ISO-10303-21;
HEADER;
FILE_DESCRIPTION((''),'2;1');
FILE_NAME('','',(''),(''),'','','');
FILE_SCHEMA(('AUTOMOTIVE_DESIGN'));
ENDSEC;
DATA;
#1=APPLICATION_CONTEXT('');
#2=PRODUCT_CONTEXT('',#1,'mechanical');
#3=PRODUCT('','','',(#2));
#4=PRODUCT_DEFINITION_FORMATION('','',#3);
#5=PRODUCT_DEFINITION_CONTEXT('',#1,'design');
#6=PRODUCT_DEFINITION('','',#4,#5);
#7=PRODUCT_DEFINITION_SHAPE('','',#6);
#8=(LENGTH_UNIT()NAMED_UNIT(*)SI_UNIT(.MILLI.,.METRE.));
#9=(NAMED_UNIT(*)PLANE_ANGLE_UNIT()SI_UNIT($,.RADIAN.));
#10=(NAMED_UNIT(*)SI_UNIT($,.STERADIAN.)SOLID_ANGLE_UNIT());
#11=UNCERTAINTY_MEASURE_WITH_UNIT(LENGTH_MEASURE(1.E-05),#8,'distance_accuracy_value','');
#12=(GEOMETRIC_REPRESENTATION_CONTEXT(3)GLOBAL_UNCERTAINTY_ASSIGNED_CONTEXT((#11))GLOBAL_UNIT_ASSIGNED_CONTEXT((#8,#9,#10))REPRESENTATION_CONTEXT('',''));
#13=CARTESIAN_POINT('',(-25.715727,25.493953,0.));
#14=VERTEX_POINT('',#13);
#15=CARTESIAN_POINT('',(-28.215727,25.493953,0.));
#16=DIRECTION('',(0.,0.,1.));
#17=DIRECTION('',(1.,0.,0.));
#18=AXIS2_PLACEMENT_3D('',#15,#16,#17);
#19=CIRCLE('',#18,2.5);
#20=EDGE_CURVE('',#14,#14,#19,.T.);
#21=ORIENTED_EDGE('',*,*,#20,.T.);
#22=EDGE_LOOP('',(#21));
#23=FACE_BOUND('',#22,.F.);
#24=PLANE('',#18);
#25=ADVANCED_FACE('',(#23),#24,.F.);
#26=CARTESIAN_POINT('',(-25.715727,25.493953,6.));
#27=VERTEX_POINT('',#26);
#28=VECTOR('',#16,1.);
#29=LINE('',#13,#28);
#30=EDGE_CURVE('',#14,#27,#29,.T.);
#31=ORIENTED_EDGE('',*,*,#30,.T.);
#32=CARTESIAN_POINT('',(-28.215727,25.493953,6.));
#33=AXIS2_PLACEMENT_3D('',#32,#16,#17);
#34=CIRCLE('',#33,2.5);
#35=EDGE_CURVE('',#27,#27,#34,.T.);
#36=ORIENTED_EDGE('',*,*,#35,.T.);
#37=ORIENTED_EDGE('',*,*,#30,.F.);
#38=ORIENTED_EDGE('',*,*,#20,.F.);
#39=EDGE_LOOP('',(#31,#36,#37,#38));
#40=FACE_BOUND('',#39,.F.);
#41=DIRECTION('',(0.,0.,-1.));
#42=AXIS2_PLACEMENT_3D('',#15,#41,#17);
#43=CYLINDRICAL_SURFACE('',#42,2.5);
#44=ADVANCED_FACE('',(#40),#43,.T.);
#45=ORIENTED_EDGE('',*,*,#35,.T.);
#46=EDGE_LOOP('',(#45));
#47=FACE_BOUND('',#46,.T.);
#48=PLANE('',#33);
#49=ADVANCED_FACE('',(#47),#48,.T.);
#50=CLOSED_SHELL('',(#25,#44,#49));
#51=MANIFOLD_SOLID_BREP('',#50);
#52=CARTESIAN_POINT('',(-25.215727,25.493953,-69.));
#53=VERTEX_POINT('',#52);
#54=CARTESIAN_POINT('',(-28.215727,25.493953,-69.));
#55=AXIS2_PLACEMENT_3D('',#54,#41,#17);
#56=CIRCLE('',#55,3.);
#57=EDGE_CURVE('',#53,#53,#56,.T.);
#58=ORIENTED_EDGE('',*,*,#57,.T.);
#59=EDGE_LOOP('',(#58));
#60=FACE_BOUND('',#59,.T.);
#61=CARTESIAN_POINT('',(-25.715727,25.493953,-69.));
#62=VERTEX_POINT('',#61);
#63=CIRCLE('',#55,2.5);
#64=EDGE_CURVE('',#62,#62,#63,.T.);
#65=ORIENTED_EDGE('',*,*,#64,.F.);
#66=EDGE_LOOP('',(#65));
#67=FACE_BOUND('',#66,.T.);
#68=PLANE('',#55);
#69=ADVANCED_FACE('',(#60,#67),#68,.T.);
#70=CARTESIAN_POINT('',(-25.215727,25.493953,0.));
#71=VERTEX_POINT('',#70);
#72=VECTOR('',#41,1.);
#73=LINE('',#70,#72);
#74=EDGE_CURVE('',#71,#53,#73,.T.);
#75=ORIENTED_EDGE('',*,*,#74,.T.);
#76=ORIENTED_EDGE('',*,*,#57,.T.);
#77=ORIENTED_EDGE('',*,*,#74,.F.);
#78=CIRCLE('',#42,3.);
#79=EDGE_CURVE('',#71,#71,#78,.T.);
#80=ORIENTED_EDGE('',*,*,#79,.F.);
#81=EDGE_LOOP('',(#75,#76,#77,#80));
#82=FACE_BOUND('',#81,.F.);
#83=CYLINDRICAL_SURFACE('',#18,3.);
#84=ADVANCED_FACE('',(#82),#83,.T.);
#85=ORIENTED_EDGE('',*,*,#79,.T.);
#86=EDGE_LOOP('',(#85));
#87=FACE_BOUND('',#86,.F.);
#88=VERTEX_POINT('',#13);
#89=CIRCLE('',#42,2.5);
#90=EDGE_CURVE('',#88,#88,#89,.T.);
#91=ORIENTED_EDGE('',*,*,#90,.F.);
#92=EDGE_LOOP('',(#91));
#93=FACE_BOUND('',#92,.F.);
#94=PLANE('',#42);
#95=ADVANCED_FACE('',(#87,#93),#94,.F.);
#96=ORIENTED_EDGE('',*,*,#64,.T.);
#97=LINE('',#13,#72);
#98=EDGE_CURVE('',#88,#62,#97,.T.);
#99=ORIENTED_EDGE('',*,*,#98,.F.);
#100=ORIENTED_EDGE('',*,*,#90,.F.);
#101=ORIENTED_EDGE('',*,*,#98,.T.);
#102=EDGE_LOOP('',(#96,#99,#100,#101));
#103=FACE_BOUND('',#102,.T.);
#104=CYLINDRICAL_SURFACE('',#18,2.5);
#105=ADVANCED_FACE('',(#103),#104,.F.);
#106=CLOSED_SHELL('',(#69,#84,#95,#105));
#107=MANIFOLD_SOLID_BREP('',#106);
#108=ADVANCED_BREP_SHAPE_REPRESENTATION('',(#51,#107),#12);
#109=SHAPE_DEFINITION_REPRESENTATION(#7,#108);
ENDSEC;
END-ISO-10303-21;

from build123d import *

# Parameters (mm, degrees)
F0_R     = 2.5
F1_DEPTH = 6
F2_R     = 3
F2_R_2   = 2.5
F3_DEPTH = 69


with BuildPart() as f1:
    # F0 (on Top) → F1 (new body)
    with BuildSketch(Plane.XY):
        with Locations((-28.215727, 25.493953)):
            Circle(F0_R)
    extrude(amount=F1_DEPTH)


with BuildPart() as f3:
    # F2 (on face) → F3 (new body)
    with BuildSketch(Plane(origin=(0, 0, 0), x_dir=(1, 0, 0), z_dir=(0, 0, -1))):
        with Locations((-28.215727, -25.493953)):
            Circle(F2_R)
        with Locations((-28.215727, -25.493953)):
            Circle(F2_R_2, mode=Mode.SUBTRACT)
    extrude(amount=F3_DEPTH)


solid = Compound([f1.part, f3.part])
